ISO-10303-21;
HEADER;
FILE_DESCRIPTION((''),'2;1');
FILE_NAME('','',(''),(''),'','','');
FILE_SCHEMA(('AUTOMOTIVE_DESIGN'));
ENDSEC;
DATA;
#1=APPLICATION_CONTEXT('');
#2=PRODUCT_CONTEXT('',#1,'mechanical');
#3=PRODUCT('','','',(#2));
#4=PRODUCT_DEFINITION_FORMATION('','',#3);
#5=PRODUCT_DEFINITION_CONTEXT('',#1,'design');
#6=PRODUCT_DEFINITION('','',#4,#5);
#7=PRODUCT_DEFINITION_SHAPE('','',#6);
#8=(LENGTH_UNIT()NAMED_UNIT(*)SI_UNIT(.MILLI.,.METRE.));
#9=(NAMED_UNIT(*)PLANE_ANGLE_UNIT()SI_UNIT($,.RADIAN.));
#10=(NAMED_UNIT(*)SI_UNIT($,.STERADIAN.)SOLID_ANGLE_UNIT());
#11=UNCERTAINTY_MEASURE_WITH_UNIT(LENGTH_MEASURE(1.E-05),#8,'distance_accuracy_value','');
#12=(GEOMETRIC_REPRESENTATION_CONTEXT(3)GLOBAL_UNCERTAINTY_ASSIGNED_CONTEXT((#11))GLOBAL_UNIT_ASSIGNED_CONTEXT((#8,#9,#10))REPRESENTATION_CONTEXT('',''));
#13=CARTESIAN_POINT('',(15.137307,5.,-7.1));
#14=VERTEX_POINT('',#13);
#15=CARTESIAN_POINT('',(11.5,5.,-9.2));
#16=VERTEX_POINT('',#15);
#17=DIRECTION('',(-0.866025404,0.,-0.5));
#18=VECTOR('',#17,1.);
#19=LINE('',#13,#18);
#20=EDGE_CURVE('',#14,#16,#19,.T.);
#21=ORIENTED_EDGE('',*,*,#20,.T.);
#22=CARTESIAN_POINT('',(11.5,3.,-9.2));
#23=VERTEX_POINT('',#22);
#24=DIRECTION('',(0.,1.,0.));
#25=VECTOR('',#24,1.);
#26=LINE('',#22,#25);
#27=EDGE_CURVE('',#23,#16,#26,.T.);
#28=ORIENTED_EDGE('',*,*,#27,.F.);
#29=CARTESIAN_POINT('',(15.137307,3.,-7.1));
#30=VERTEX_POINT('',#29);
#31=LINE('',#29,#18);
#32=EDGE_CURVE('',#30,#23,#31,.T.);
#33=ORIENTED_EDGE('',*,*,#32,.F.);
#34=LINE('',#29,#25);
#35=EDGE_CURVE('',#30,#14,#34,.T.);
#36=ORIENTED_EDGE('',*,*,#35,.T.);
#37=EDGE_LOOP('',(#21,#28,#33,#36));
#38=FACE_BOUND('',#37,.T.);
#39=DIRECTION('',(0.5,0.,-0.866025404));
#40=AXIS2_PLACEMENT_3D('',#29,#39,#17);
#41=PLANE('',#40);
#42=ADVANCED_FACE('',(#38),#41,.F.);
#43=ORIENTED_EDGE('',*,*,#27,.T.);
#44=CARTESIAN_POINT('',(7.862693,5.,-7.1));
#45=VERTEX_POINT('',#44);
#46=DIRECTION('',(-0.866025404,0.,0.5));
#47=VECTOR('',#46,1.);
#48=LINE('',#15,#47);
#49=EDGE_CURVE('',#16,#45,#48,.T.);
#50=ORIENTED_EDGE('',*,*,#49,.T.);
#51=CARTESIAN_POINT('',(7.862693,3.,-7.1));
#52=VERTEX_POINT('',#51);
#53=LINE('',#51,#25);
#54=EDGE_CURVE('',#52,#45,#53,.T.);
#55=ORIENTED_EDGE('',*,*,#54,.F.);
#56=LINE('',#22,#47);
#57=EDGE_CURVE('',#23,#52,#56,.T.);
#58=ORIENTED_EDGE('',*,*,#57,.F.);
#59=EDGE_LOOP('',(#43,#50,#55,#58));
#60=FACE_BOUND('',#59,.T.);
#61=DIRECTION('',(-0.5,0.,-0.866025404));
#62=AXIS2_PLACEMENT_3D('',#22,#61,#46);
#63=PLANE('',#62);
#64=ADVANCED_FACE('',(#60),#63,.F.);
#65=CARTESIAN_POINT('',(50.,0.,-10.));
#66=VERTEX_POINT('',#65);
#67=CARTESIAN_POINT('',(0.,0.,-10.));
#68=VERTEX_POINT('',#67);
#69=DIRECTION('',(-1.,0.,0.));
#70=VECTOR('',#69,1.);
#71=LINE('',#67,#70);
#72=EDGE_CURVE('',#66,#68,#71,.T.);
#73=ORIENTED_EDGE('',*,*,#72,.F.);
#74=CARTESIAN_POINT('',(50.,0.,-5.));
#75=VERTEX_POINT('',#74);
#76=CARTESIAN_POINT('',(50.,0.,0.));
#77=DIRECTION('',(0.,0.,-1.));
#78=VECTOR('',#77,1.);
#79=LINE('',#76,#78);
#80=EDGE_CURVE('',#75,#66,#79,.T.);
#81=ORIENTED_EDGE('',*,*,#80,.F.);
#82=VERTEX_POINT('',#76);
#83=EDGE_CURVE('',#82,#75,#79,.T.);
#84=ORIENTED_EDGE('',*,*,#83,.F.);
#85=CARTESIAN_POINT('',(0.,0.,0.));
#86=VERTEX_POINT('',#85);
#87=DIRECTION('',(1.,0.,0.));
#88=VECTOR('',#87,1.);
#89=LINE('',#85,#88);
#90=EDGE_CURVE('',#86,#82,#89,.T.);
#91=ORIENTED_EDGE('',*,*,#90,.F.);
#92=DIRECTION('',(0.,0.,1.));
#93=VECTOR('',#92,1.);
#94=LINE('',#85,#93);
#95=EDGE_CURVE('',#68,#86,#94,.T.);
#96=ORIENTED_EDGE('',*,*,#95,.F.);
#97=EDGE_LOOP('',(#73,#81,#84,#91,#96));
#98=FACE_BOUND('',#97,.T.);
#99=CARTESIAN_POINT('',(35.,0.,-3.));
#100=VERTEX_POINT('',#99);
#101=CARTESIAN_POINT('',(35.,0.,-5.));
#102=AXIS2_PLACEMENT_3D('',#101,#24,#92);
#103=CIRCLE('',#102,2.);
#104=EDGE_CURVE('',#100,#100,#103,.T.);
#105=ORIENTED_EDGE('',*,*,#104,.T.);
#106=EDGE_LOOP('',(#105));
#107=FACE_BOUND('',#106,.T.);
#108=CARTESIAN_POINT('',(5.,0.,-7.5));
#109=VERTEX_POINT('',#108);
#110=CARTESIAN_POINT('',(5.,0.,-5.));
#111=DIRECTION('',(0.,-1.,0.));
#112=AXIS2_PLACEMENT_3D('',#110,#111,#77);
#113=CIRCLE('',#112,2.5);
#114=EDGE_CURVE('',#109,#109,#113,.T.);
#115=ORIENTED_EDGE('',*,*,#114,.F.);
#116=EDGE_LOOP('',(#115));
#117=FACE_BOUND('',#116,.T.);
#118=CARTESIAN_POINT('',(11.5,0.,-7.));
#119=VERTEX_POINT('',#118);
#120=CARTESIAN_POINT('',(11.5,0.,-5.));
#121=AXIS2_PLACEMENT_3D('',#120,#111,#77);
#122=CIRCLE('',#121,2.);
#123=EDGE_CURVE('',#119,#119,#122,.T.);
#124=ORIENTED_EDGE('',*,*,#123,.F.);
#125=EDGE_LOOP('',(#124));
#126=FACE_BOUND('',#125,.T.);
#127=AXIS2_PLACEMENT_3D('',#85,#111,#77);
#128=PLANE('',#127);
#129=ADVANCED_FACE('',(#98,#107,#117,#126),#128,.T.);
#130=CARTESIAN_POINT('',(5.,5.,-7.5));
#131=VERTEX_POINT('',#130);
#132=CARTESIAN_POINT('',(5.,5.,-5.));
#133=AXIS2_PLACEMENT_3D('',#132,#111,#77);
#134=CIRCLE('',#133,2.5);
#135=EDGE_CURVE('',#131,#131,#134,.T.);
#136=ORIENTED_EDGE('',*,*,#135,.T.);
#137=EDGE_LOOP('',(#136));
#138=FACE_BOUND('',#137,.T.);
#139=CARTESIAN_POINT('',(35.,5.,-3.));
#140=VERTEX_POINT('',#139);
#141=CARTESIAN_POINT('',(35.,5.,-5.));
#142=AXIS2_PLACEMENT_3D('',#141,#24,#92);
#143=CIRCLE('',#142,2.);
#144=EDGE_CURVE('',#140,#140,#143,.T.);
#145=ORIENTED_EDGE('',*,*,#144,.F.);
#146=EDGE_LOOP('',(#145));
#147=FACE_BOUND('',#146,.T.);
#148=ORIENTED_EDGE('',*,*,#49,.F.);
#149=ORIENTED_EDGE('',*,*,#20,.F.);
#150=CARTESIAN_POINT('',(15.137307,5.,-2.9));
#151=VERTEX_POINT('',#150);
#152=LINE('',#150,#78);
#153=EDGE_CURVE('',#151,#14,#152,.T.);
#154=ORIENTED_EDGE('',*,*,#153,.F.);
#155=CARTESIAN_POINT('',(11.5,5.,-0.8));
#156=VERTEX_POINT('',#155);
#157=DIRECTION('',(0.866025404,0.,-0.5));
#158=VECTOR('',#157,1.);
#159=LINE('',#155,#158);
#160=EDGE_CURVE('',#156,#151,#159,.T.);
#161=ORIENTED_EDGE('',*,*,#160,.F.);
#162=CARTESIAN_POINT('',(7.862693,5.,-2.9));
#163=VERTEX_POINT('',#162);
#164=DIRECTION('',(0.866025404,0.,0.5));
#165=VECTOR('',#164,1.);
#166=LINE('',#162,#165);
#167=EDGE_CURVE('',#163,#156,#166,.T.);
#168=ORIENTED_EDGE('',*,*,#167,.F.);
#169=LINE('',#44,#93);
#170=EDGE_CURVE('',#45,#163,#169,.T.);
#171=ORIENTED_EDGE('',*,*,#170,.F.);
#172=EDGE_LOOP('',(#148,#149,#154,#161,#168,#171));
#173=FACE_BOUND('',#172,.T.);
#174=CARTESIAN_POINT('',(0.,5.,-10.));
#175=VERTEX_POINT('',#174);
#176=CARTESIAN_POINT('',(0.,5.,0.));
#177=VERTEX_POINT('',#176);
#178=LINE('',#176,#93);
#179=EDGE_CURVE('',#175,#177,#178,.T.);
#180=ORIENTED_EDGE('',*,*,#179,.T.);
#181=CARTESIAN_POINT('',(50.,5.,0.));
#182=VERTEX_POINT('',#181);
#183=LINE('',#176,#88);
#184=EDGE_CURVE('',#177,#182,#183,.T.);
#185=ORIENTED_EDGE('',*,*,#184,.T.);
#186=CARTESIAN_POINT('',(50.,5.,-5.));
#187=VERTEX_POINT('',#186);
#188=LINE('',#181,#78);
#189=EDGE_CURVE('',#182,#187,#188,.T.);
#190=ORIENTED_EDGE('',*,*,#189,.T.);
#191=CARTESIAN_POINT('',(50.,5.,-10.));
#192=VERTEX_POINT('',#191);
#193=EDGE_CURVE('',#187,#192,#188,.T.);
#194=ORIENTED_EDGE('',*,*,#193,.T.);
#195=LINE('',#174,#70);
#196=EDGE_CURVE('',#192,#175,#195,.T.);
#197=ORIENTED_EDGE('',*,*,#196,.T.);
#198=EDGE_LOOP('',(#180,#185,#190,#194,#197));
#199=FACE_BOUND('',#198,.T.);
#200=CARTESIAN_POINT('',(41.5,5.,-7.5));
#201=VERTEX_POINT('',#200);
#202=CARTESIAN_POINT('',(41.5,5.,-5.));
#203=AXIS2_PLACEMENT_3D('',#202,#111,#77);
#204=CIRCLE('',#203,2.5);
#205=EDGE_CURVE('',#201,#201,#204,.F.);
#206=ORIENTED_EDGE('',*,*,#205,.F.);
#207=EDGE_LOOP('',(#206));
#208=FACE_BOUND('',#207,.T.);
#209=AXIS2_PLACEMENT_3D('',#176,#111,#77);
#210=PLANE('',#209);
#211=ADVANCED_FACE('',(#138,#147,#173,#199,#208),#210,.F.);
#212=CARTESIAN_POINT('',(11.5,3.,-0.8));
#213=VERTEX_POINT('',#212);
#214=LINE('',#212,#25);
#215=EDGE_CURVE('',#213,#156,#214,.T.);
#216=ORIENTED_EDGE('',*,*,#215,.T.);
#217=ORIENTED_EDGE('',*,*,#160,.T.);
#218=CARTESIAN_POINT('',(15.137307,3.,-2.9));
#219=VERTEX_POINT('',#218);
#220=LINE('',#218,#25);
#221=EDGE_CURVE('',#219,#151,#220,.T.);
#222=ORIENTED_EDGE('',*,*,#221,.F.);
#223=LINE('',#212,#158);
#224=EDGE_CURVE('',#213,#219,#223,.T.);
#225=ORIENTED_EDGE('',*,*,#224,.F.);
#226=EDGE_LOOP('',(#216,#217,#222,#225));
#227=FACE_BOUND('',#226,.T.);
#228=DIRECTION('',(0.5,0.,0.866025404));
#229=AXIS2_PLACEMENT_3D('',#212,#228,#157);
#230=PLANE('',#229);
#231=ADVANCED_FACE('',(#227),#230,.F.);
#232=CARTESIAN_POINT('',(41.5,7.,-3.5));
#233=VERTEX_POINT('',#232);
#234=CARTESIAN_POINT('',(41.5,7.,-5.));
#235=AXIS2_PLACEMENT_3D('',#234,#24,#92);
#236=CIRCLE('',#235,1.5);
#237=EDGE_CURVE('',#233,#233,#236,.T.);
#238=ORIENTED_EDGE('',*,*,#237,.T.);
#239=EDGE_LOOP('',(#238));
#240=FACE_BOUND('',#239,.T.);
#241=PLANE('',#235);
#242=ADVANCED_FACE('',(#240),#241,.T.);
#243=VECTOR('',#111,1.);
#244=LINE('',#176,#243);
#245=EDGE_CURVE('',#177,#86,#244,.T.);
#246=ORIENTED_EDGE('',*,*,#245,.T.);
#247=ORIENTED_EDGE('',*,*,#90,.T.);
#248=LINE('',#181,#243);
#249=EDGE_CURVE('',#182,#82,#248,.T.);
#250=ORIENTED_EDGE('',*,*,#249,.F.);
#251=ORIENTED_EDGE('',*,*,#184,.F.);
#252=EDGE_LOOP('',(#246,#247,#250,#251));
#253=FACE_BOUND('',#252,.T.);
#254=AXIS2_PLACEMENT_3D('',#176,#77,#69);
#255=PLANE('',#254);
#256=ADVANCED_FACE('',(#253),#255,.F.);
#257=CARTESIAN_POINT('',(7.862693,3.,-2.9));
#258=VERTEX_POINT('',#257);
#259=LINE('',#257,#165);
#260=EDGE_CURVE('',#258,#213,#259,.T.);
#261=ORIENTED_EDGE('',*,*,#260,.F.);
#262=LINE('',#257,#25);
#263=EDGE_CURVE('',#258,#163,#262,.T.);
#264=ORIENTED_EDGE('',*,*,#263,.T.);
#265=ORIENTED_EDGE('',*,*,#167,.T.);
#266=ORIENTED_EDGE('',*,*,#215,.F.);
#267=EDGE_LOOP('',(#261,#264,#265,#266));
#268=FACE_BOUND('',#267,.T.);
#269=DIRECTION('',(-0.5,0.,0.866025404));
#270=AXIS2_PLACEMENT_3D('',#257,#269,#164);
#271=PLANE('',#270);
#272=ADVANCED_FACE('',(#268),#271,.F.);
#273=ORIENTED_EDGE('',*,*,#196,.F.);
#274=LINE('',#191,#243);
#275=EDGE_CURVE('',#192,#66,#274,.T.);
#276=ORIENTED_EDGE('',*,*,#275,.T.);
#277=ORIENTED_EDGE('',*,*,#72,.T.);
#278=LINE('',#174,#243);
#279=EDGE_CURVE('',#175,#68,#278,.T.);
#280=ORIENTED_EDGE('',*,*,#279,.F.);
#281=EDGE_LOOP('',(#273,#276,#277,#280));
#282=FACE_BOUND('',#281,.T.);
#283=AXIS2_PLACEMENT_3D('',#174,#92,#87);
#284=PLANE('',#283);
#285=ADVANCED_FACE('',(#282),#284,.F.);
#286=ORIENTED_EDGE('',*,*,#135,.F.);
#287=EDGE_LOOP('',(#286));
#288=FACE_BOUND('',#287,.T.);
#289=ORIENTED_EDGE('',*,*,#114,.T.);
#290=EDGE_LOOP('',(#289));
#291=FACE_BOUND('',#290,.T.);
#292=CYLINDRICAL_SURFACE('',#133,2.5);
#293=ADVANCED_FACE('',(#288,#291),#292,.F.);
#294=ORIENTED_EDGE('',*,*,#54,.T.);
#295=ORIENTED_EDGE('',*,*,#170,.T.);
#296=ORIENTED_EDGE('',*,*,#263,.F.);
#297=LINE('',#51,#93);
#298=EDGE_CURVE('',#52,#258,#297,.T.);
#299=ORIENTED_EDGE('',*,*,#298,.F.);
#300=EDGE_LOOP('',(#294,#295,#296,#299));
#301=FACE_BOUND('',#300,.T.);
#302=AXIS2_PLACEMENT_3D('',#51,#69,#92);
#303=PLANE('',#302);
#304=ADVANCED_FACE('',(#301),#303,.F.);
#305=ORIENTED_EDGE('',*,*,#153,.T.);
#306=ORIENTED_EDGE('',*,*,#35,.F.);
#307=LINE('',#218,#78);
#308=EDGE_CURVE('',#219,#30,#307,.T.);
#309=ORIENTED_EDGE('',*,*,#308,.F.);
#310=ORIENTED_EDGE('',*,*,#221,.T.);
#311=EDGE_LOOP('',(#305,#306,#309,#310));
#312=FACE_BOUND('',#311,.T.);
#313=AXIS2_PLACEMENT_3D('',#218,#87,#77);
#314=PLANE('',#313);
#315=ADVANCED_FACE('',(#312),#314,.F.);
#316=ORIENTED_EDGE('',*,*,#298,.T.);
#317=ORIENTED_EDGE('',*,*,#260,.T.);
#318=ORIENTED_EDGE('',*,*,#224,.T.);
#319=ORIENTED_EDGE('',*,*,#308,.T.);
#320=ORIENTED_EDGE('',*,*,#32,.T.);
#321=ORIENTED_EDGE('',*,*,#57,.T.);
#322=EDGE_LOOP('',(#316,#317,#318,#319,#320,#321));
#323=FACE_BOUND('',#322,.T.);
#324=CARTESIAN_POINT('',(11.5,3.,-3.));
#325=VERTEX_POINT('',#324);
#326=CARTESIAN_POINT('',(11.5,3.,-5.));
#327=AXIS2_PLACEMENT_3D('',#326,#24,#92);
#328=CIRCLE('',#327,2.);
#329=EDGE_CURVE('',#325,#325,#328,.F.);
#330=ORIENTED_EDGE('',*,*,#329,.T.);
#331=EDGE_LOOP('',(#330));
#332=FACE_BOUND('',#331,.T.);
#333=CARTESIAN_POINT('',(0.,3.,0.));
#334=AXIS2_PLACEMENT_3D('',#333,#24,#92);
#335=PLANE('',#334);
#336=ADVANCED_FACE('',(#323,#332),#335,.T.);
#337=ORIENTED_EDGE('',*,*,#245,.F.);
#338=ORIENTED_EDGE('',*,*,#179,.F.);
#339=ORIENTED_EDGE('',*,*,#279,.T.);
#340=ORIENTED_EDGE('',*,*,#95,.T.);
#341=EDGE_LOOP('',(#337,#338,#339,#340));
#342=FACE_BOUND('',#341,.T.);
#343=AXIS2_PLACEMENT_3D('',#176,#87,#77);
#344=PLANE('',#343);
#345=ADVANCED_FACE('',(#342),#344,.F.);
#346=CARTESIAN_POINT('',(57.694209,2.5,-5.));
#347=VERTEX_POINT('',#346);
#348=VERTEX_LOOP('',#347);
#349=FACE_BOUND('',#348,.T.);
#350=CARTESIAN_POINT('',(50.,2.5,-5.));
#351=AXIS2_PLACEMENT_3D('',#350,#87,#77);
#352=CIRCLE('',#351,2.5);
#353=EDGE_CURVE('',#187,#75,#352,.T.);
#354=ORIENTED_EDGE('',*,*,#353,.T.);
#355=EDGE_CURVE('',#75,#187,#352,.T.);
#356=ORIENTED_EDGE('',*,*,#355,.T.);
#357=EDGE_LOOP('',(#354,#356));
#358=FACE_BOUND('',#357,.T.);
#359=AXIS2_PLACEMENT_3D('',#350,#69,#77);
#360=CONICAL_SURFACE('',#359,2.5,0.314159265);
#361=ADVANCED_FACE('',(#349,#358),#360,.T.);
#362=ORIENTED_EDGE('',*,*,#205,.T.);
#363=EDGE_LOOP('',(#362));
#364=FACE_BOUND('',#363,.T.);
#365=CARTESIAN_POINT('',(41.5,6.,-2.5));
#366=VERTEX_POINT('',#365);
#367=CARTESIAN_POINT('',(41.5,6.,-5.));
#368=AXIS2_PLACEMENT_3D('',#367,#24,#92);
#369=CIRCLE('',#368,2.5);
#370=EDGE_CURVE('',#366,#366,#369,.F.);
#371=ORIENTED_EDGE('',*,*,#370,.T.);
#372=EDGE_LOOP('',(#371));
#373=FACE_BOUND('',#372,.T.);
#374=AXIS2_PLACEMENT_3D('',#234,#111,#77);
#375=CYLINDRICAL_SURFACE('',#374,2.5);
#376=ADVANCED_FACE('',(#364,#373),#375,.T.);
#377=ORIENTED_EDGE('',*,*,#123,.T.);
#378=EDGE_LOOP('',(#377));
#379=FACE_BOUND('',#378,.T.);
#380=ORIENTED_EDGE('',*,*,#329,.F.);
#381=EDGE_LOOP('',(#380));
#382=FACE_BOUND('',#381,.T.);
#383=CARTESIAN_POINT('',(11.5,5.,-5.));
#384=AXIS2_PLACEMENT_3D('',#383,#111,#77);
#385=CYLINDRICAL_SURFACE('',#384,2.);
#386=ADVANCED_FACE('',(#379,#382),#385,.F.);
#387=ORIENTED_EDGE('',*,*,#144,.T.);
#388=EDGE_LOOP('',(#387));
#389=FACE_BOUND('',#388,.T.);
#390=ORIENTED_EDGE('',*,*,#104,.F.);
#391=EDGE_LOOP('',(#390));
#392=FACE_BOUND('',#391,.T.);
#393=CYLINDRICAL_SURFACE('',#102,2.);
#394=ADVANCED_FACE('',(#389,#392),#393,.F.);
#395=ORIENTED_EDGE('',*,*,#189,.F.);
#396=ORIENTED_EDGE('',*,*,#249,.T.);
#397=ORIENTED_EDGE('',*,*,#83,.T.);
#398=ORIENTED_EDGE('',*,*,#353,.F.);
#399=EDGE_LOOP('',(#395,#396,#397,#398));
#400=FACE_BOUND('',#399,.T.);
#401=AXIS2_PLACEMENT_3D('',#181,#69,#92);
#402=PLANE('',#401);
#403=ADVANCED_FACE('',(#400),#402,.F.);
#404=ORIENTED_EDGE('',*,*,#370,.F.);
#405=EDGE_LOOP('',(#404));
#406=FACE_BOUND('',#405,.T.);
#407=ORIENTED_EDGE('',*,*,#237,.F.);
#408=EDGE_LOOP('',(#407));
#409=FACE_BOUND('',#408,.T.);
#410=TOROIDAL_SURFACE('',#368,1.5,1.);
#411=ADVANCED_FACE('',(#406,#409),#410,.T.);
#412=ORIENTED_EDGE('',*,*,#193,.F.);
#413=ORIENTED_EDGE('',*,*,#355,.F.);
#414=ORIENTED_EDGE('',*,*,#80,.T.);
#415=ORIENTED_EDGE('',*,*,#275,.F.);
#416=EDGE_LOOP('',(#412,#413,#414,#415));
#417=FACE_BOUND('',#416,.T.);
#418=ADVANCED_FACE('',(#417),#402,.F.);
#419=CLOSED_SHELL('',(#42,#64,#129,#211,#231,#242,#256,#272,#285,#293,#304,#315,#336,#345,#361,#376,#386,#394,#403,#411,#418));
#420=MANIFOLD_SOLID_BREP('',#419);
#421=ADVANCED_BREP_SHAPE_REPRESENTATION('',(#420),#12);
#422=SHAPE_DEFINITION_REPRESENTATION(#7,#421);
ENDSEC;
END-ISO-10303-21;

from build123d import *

# Parameters (mm, degrees)
SKETCH1_W           = 50
SKETCH1_H           = 10
BOSS_EXTRUDE1_DEPTH = 5
SKETCH2_R           = 2.5
SKETCH2_R_2         = 2
CUT_EXTRUDE1_DEPTH  = 5
SKETCH3_R           = 2
CUT_EXTRUDE2_DEPTH  = 5
CUT_EXTRUDE3_DEPTH  = 2
SKETCH5_R           = 2.5
BOSS_EXTRUDE2_DEPTH = 2
FILLET1_R           = 1


with BuildPart() as part:
    # Sketch1 → Boss-Extrude1 (new body)
    with BuildSketch(Plane(origin=(0, 0, 0), x_dir=(1, 0, 0), z_dir=(0, 1, 0))):
        with Locations((25, 5)):
            Rectangle(SKETCH1_W, SKETCH1_H)
    extrude(amount=BOSS_EXTRUDE1_DEPTH)

    # Sketch2 → Cut-Extrude1 (cut)
    with BuildSketch(Plane.XZ):
        with Locations(Location((5, -5, 0), (0, 0, 270))):
            Circle(SKETCH2_R)
        with Locations(Location((11.5, -5, 0), (0, 0, 270))):
            Circle(SKETCH2_R_2)
    extrude(amount=-CUT_EXTRUDE1_DEPTH, mode=Mode.SUBTRACT)

    # Sketch3 → Cut-Extrude2 (cut)
    with BuildSketch(Plane(origin=(0, 5, 0), x_dir=(1, 0, 0), z_dir=(0, 1, 0))):
        with Locations(Location((35, 5, 0), (0, 0, 270))):
            Circle(SKETCH3_R)
    extrude(amount=-CUT_EXTRUDE2_DEPTH, mode=Mode.SUBTRACT)

    # Sketch4 → Cut-Extrude3 (cut)
    with BuildSketch(Plane(origin=(0, 5, 0), x_dir=(1, 0, 0), z_dir=(0, 1, 0))):
        Polygon((11.5, 0.8), (15.137306696, 2.9), (15.137306696, 7.1), (11.5, 9.2), (7.862693304, 7.1), (7.862693304, 2.9), align=None)
    extrude(amount=-CUT_EXTRUDE3_DEPTH, mode=Mode.SUBTRACT)

    # Sketch5 → Boss-Extrude2 (add)
    with BuildSketch(Plane(origin=(0, 5, 0), x_dir=(1, 0, 0), z_dir=(0, 1, 0))):
        with Locations(Location((41.5, 5, 0), (0, 0, 90))):
            Circle(SKETCH5_R)
    extrude(amount=BOSS_EXTRUDE2_DEPTH)

    # Fillet1
    fillet1_edges = [part.edges().sort_by_distance(p)[0] for p in [
        (41.5, 7, -2.5),
    ]]
    fillet(fillet1_edges, radius=FILLET1_R)

    # Boss-Extrude3 cone 1 section (through the dimple's axis) → Boss-Extrude3 (revolve)
    with BuildSketch(Plane(origin=(50, 2.5, -5), x_dir=(0, 0, 1), z_dir=(0, 1, 0))):
        Polygon((0, 0), (2.5, 0), (0, 7.694208843), align=None)
    revolve(axis=Axis((50, 2.5, -5), (1, 0, 0)))


solid = part.part
